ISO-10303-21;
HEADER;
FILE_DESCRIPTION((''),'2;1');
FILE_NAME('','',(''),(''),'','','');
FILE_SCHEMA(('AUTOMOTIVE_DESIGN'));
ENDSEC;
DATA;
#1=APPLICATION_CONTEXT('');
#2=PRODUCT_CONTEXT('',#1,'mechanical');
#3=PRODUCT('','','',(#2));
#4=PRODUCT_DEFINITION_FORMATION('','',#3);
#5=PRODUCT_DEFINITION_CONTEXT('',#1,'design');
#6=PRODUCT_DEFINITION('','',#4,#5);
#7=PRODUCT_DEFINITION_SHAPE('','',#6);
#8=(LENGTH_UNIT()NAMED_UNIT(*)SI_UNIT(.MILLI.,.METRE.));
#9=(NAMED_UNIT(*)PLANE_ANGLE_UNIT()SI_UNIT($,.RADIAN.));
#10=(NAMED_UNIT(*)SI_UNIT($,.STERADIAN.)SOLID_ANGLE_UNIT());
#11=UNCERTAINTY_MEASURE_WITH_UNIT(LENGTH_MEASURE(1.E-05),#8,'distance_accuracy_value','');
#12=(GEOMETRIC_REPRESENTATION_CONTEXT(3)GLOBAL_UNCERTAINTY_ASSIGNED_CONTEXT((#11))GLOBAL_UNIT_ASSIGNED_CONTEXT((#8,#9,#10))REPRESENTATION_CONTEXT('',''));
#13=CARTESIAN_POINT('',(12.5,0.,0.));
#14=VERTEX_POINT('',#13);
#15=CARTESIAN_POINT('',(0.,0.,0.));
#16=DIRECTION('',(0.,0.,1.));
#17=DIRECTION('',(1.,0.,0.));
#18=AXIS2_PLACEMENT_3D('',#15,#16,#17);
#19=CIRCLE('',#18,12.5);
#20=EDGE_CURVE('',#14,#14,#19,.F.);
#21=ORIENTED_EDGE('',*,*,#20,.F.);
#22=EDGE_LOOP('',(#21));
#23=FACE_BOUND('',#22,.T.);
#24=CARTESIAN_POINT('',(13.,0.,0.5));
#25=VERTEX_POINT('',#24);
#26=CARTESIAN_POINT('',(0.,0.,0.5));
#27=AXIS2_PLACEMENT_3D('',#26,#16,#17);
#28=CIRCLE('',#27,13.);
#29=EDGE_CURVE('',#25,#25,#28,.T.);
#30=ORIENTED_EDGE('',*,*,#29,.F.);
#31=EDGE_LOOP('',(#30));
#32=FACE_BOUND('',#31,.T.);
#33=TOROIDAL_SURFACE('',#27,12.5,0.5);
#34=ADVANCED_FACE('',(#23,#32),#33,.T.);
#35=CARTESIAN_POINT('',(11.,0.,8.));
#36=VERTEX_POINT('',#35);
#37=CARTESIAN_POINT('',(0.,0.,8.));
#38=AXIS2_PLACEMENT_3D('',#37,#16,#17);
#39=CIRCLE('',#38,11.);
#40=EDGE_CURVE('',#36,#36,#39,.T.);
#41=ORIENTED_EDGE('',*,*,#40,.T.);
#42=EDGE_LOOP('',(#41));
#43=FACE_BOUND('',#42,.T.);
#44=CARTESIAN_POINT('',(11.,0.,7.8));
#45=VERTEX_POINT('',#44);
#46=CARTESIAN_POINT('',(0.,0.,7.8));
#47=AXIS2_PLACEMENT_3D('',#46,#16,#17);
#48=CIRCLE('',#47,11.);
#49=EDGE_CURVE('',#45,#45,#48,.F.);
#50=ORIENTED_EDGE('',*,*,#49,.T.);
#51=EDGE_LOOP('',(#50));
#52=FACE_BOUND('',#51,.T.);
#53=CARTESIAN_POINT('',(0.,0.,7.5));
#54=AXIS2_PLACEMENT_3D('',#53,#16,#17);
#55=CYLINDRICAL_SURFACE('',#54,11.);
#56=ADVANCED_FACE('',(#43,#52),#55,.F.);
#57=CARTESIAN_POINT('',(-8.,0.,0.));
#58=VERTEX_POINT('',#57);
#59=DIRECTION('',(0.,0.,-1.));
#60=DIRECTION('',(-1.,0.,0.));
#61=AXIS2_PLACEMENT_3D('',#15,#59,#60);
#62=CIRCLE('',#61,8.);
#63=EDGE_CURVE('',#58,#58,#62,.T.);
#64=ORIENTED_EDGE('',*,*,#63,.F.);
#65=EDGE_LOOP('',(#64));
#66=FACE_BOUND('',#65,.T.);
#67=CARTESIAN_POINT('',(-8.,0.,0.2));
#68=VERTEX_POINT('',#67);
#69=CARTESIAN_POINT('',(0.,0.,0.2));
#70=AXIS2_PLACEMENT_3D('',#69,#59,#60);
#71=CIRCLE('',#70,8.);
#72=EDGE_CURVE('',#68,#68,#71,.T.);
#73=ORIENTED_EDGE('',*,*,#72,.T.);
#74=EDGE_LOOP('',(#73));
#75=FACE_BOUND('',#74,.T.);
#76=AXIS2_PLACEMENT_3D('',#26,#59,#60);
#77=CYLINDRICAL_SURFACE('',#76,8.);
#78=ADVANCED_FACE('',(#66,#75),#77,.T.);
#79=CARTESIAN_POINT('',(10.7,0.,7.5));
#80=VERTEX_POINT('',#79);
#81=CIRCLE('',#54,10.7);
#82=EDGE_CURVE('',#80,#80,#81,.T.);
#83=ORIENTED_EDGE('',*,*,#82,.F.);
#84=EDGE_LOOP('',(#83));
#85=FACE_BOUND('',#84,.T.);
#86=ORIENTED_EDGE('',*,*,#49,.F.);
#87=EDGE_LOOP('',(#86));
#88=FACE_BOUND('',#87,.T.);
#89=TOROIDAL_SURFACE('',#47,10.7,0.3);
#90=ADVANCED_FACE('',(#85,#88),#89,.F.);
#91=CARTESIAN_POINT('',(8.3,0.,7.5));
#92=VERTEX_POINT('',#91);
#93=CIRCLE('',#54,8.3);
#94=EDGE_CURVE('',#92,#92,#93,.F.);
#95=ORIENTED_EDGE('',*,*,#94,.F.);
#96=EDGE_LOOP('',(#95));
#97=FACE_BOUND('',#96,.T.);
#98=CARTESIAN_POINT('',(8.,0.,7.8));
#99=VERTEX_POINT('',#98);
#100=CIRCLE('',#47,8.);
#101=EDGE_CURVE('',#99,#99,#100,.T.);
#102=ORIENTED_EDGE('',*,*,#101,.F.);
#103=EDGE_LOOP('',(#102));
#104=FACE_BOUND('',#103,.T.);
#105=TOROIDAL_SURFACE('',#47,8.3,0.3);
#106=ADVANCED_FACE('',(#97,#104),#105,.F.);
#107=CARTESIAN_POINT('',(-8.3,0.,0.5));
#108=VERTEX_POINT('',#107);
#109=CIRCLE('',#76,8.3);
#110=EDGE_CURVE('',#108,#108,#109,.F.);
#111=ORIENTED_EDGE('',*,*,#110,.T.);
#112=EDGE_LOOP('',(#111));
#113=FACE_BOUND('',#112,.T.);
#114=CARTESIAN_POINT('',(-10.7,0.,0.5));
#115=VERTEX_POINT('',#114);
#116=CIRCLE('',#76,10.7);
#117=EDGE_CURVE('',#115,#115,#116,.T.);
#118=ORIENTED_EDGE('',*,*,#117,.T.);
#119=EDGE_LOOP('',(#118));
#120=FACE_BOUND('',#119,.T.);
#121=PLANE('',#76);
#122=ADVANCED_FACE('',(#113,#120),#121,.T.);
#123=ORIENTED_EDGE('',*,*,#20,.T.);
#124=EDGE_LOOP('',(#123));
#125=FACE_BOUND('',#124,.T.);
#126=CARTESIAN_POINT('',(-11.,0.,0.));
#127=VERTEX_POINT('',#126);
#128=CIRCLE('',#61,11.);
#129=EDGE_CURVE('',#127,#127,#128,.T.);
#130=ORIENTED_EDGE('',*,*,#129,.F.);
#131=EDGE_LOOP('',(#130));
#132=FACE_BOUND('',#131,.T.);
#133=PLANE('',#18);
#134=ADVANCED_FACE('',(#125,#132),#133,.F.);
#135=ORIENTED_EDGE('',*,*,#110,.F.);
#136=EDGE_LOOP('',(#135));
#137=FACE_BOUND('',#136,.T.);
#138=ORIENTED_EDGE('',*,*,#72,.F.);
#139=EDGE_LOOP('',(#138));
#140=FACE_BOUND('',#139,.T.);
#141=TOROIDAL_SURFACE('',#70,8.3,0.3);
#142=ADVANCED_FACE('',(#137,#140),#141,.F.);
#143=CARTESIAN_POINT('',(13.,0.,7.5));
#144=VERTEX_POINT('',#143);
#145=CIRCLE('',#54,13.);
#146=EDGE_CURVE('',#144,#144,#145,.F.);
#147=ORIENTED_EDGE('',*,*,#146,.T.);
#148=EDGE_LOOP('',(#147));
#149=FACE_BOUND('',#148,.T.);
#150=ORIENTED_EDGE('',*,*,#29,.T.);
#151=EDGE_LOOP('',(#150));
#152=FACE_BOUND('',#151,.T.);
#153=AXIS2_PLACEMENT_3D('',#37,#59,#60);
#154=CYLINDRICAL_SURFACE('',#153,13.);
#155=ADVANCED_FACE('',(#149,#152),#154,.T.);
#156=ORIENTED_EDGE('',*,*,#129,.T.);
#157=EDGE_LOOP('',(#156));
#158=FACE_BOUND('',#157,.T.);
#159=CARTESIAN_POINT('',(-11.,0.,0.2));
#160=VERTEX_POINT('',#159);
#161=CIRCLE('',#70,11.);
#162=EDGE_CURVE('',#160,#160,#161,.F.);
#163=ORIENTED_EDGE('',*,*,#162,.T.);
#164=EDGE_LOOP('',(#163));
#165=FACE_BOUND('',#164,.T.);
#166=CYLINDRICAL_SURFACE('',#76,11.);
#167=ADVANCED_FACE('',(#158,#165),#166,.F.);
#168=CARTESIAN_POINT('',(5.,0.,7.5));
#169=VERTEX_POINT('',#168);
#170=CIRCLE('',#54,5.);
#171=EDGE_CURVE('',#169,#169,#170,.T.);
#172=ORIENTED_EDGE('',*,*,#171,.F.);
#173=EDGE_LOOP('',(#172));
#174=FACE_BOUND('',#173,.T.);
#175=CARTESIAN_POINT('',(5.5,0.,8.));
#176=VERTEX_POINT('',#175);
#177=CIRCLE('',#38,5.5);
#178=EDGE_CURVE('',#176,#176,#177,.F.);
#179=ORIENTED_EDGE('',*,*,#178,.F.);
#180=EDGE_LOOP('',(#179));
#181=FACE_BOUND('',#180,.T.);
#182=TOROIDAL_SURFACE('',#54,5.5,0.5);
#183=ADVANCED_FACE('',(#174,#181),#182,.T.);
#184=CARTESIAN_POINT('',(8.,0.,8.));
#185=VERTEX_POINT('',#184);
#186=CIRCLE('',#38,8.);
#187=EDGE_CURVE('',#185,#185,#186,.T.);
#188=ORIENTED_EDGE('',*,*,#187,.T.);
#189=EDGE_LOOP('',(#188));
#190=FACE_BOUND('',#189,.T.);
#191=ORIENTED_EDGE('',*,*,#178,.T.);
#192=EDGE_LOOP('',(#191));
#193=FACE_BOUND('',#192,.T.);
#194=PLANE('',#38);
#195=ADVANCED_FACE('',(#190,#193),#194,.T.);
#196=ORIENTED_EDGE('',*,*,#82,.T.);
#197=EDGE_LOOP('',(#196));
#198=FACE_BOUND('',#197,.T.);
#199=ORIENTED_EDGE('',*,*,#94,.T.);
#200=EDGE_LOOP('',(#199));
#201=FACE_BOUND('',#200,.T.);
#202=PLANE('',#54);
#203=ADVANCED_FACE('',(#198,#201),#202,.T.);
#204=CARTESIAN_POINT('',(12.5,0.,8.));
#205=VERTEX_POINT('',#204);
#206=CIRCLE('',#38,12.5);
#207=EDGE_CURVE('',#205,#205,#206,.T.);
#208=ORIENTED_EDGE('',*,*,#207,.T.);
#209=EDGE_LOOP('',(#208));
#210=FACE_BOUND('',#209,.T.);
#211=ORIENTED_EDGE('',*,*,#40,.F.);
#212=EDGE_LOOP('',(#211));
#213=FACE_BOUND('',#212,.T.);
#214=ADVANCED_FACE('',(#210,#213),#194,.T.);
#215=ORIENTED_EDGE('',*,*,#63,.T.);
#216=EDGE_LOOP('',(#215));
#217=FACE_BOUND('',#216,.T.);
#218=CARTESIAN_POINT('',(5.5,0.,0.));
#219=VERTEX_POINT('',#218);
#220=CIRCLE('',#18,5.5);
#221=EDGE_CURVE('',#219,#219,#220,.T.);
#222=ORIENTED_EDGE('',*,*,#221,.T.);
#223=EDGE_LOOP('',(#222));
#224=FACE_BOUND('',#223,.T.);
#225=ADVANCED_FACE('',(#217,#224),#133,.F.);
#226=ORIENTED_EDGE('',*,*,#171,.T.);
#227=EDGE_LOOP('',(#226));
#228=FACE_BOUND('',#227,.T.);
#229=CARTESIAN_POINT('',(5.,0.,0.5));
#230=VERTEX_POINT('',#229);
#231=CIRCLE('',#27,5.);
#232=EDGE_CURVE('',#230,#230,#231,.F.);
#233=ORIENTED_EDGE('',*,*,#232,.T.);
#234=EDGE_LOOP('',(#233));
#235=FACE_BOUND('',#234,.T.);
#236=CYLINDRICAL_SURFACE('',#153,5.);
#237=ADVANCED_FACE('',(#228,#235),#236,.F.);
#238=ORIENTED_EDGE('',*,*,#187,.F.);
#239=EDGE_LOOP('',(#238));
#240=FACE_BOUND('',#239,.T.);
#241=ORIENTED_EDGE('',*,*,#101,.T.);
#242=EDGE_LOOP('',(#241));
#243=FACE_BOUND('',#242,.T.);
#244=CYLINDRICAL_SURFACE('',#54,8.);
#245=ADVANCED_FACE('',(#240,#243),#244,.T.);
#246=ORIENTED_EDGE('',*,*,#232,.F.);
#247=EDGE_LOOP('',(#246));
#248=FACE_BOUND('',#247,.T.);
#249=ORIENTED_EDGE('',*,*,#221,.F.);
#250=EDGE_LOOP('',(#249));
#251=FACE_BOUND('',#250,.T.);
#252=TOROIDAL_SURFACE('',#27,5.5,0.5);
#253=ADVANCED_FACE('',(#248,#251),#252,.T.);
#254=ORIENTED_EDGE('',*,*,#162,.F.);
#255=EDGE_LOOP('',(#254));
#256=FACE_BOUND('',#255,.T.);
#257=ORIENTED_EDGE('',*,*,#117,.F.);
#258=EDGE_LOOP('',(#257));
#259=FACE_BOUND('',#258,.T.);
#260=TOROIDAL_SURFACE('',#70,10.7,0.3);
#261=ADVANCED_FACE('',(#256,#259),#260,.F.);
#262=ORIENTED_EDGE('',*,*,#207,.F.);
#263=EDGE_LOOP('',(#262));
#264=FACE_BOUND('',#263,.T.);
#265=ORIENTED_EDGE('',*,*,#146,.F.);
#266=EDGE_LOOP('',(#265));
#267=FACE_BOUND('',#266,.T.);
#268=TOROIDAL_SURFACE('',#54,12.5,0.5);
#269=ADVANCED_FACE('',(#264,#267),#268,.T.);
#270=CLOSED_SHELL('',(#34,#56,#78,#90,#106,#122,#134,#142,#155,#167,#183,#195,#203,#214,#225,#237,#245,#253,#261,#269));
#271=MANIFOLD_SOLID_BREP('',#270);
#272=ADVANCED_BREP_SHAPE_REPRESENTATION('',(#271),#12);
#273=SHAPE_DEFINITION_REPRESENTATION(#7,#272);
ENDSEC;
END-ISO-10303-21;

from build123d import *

# Parameters (mm, degrees)
SKIZZE1_R                       = 13
SKIZZE1_R_2                     = 5
AUFSATZ_LINEAR_AUSTRAGEN1_DEPTH = 8
VERRUNDUNG1_R                   = 0.5
SKIZZE2_R                       = 11
SKIZZE2_R_2                     = 8
SCHNITT_LINEAR_AUSTRAGEN1_DEPTH = 0.5
SCHNITT_LINEAR_START            = -0.5
SKIZZE3_R                       = 11
SKIZZE3_R_2                     = 8
SCHNITT_LINEAR_AUSTRAGEN2_DEPTH = 0.5
VERRUNDUNG2_R                   = 0.3


with BuildPart() as part:
    # Skizze1 → Aufsatz-Linear austragen1 (new body)
    with BuildSketch(Plane.XY):
        Circle(SKIZZE1_R)
        Circle(SKIZZE1_R_2, mode=Mode.SUBTRACT)
    extrude(amount=AUFSATZ_LINEAR_AUSTRAGEN1_DEPTH)

    # Verrundung1
    verrundung1_edges = [part.edges().sort_by_distance(p)[0] for p in [
        (-13, 0, 0),
        (-13, 0, 8),
        (-5, 0, 0),
        (-5, 0, 8),
    ]]
    fillet(verrundung1_edges, radius=VERRUNDUNG1_R)

    # Skizze2 → Schnitt-Linear austragen1 (cut)
    with BuildSketch(Plane(origin=(0, 0, 0), x_dir=(-1, 0, 0), z_dir=(0, 0, -1))):
        Circle(SKIZZE2_R)
        Circle(SKIZZE2_R_2, mode=Mode.SUBTRACT)
    extrude(amount=-SCHNITT_LINEAR_AUSTRAGEN1_DEPTH, mode=Mode.SUBTRACT)

    # Skizze3 → Schnitt-Linear austragen2 (cut)
    with BuildSketch(Plane.XY.offset(8).offset(SCHNITT_LINEAR_START)):
        with Locations(Location((0, 0, 0), (0, 0, 180))):
            Circle(SKIZZE3_R)
        with Locations(Location((0, 0, 0), (0, 0, 180))):
            Circle(SKIZZE3_R_2, mode=Mode.SUBTRACT)
    extrude(amount=SCHNITT_LINEAR_AUSTRAGEN2_DEPTH, mode=Mode.SUBTRACT)

    # Verrundung2
    verrundung2_edges = [part.edges().sort_by_distance(p)[0] for p in [
        (11, 0, 0.5),
        (8, 0, 0.5),
        (11, 0, 7.5),
        (8, 0, 7.5),
    ]]
    fillet(verrundung2_edges, radius=VERRUNDUNG2_R)


solid = part.part
